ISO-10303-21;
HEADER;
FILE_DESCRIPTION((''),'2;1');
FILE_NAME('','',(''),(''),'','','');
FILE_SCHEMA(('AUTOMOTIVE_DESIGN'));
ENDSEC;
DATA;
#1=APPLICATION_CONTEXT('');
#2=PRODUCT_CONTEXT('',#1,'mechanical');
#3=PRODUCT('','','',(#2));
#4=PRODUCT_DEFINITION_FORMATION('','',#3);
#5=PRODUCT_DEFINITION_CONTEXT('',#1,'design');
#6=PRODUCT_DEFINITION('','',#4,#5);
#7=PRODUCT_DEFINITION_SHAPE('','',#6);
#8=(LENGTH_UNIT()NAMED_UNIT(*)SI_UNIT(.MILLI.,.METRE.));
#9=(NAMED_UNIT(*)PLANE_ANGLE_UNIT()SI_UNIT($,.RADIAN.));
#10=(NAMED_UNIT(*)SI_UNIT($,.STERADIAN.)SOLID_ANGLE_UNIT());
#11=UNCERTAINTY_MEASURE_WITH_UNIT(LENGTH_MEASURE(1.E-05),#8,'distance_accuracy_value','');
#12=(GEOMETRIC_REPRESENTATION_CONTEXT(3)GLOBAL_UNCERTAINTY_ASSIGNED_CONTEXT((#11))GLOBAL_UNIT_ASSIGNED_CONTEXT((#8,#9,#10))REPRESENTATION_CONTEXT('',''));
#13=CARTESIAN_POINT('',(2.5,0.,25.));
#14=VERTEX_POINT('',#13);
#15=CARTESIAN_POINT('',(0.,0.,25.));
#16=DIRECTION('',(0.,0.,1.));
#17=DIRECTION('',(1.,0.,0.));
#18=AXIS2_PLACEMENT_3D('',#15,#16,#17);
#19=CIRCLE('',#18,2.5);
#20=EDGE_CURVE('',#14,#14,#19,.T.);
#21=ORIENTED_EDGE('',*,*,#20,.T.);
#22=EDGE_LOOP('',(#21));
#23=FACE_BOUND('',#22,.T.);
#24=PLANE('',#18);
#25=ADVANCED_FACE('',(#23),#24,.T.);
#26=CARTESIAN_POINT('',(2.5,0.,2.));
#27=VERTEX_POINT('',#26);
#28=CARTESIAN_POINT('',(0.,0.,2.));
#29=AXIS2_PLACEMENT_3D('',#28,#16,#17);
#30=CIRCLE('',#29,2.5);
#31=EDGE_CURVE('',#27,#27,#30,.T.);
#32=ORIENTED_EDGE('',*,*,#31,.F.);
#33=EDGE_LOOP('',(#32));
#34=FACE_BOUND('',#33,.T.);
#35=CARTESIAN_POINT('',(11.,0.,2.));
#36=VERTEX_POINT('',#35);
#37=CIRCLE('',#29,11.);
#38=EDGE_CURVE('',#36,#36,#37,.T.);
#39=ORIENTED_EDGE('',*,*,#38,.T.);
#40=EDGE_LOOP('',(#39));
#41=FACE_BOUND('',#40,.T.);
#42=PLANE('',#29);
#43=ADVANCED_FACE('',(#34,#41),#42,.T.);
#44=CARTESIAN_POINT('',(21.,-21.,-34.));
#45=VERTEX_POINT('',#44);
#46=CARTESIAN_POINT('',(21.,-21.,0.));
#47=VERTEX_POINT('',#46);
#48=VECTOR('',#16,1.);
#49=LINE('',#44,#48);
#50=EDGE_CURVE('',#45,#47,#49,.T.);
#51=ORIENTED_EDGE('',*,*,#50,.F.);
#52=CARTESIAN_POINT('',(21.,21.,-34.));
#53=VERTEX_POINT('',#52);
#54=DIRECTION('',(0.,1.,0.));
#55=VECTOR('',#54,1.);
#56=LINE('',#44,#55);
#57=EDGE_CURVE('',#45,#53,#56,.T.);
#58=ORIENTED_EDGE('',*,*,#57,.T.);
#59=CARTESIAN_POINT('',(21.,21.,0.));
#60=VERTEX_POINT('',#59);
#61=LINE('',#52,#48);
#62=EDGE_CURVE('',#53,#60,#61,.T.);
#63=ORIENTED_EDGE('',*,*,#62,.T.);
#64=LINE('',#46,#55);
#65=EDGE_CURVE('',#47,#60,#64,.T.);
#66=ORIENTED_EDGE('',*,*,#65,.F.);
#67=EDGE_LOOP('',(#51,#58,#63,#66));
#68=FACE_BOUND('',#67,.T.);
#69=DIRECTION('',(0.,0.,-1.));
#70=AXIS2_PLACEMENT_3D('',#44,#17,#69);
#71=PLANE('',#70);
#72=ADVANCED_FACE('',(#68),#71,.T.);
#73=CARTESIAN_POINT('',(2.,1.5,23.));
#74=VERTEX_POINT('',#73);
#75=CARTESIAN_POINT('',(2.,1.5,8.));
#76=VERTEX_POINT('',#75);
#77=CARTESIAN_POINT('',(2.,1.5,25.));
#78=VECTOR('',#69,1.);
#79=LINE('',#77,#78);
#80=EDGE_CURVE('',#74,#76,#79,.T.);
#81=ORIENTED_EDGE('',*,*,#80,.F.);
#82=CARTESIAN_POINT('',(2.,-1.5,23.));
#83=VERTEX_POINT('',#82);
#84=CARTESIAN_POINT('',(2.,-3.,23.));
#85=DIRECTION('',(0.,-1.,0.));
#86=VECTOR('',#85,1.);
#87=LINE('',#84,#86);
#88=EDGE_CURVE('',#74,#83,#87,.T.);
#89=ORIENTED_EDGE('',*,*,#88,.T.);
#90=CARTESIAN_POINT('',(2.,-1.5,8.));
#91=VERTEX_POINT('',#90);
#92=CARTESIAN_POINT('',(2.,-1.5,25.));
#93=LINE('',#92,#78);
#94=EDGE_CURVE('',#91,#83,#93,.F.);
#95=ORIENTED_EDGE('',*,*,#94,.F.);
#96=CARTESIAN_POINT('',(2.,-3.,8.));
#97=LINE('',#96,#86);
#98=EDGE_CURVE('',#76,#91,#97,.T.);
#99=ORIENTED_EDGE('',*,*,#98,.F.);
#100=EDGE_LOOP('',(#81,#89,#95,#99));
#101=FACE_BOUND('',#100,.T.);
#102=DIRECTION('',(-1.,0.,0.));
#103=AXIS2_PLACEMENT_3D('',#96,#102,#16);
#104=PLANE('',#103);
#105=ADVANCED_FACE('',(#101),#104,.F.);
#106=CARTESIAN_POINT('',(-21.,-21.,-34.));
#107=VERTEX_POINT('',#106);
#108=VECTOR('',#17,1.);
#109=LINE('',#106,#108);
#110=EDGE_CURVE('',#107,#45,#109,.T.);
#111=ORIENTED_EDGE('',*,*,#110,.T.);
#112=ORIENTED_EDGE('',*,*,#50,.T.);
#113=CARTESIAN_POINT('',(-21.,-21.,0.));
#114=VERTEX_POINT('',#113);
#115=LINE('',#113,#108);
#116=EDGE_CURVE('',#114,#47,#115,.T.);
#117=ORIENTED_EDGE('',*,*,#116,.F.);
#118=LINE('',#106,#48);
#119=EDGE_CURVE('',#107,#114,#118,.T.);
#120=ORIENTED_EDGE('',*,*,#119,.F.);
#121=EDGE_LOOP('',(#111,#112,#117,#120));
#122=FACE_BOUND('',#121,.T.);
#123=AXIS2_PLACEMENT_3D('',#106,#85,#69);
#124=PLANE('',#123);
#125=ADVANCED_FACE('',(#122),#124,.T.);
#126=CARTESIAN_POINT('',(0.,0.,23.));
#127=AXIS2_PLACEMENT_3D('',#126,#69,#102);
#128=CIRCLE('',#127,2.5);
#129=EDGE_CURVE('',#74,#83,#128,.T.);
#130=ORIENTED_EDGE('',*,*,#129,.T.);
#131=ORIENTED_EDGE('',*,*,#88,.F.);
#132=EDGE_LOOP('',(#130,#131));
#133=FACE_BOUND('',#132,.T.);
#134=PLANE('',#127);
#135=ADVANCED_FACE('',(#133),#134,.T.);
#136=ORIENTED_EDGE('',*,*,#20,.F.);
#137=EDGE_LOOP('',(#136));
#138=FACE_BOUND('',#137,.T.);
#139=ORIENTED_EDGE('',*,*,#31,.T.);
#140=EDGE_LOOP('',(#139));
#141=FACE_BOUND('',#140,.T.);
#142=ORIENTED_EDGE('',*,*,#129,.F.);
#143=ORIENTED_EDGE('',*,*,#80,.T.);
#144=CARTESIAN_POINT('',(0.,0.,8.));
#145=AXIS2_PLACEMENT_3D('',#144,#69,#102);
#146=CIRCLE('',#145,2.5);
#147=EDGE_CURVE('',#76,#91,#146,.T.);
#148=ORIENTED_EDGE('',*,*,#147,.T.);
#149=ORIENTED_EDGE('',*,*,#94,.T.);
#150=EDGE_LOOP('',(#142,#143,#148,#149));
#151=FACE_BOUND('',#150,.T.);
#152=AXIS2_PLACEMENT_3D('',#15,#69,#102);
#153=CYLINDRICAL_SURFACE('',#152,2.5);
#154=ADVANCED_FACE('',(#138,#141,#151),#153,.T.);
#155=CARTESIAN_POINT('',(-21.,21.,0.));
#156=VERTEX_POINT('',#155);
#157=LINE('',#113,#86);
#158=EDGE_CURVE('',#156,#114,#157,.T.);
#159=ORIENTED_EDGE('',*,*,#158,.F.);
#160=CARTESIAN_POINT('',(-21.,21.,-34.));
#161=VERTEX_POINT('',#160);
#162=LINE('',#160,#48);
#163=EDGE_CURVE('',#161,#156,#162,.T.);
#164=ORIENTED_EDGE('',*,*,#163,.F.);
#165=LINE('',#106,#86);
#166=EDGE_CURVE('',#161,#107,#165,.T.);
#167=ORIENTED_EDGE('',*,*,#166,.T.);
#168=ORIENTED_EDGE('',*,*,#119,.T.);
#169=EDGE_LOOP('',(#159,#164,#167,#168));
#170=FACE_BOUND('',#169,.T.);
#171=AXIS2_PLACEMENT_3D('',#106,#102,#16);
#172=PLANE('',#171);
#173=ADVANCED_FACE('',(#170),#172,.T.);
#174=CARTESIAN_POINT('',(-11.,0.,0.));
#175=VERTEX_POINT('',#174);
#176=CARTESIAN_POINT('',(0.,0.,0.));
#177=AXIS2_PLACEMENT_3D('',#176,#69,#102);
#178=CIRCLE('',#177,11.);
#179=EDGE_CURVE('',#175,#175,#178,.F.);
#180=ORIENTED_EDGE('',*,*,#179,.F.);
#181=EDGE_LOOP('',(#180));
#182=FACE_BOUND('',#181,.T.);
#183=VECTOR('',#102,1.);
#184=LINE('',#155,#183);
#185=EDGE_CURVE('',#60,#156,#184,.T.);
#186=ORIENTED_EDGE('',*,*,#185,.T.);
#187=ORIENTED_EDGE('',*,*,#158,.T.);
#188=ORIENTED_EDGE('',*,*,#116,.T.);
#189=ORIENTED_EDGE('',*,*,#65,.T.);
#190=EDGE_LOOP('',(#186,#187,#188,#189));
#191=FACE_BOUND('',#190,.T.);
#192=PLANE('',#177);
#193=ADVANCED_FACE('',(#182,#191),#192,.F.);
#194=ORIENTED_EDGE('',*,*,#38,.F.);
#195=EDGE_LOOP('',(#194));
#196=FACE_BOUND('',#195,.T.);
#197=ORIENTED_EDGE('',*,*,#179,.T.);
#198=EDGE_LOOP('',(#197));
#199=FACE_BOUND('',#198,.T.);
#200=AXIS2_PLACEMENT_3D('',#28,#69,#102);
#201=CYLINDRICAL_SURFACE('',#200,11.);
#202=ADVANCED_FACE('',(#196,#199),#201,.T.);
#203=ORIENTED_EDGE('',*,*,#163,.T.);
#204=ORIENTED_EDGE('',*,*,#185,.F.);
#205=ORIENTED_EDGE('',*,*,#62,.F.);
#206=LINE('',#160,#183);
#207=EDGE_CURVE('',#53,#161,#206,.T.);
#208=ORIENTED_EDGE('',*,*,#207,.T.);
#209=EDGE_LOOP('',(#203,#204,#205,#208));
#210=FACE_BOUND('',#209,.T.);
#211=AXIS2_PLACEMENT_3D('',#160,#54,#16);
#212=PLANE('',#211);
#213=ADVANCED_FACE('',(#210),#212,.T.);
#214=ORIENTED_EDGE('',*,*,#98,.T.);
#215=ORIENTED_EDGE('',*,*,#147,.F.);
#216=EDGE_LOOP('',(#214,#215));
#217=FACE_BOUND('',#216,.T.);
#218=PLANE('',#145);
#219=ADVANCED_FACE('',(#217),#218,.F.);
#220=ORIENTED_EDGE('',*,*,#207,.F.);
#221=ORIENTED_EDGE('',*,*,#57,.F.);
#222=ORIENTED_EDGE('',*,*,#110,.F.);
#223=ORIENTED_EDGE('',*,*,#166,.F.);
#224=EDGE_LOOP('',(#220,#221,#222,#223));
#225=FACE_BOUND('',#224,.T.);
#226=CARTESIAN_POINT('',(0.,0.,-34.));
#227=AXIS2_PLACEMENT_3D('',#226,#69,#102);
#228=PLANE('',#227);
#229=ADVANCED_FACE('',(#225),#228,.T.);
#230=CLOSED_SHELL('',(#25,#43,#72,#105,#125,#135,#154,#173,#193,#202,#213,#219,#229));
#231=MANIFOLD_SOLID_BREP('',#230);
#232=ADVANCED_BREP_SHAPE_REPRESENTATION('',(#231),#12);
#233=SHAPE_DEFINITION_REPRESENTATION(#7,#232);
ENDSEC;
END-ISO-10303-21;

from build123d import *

# Parameters (mm, degrees)
SKETCH1_W           = 42
SKETCH1_H           = 42
BOSS_EXTRUDE1_DEPTH = 34
SKETCH2_R           = 2.5
BOSS_EXTRUDE2_DEPTH = 25
SKETCH3_R           = 11
BOSS_EXTRUDE3_DEPTH = 2
SKETCH4_W           = 1
SKETCH4_H           = 6
CUT_EXTRUDE1_DEPTH  = 15


with BuildPart() as part:
    # Sketch1 → Boss-Extrude1 (new body)
    with BuildSketch(Plane.XY):
        Rectangle(SKETCH1_W, SKETCH1_H)
    extrude(amount=-BOSS_EXTRUDE1_DEPTH)

    # Sketch2 → Boss-Extrude2 (add)
    with BuildSketch(Plane.XY):
        Circle(SKETCH2_R)
    extrude(amount=BOSS_EXTRUDE2_DEPTH)

    # Sketch3 → Boss-Extrude3 (add)
    with BuildSketch(Plane.XY):
        with Locations(Location((0, 0, 0), (0, 0, 180))):
            Circle(SKETCH3_R)
    extrude(amount=BOSS_EXTRUDE3_DEPTH)

    # Sketch4 → Cut-Extrude1 (cut)
    with BuildSketch(Plane.XY.offset(23)):
        with Locations((2.5, 0)):
            Rectangle(SKETCH4_W, SKETCH4_H)
    extrude(amount=-CUT_EXTRUDE1_DEPTH, mode=Mode.SUBTRACT)


solid = part.part
